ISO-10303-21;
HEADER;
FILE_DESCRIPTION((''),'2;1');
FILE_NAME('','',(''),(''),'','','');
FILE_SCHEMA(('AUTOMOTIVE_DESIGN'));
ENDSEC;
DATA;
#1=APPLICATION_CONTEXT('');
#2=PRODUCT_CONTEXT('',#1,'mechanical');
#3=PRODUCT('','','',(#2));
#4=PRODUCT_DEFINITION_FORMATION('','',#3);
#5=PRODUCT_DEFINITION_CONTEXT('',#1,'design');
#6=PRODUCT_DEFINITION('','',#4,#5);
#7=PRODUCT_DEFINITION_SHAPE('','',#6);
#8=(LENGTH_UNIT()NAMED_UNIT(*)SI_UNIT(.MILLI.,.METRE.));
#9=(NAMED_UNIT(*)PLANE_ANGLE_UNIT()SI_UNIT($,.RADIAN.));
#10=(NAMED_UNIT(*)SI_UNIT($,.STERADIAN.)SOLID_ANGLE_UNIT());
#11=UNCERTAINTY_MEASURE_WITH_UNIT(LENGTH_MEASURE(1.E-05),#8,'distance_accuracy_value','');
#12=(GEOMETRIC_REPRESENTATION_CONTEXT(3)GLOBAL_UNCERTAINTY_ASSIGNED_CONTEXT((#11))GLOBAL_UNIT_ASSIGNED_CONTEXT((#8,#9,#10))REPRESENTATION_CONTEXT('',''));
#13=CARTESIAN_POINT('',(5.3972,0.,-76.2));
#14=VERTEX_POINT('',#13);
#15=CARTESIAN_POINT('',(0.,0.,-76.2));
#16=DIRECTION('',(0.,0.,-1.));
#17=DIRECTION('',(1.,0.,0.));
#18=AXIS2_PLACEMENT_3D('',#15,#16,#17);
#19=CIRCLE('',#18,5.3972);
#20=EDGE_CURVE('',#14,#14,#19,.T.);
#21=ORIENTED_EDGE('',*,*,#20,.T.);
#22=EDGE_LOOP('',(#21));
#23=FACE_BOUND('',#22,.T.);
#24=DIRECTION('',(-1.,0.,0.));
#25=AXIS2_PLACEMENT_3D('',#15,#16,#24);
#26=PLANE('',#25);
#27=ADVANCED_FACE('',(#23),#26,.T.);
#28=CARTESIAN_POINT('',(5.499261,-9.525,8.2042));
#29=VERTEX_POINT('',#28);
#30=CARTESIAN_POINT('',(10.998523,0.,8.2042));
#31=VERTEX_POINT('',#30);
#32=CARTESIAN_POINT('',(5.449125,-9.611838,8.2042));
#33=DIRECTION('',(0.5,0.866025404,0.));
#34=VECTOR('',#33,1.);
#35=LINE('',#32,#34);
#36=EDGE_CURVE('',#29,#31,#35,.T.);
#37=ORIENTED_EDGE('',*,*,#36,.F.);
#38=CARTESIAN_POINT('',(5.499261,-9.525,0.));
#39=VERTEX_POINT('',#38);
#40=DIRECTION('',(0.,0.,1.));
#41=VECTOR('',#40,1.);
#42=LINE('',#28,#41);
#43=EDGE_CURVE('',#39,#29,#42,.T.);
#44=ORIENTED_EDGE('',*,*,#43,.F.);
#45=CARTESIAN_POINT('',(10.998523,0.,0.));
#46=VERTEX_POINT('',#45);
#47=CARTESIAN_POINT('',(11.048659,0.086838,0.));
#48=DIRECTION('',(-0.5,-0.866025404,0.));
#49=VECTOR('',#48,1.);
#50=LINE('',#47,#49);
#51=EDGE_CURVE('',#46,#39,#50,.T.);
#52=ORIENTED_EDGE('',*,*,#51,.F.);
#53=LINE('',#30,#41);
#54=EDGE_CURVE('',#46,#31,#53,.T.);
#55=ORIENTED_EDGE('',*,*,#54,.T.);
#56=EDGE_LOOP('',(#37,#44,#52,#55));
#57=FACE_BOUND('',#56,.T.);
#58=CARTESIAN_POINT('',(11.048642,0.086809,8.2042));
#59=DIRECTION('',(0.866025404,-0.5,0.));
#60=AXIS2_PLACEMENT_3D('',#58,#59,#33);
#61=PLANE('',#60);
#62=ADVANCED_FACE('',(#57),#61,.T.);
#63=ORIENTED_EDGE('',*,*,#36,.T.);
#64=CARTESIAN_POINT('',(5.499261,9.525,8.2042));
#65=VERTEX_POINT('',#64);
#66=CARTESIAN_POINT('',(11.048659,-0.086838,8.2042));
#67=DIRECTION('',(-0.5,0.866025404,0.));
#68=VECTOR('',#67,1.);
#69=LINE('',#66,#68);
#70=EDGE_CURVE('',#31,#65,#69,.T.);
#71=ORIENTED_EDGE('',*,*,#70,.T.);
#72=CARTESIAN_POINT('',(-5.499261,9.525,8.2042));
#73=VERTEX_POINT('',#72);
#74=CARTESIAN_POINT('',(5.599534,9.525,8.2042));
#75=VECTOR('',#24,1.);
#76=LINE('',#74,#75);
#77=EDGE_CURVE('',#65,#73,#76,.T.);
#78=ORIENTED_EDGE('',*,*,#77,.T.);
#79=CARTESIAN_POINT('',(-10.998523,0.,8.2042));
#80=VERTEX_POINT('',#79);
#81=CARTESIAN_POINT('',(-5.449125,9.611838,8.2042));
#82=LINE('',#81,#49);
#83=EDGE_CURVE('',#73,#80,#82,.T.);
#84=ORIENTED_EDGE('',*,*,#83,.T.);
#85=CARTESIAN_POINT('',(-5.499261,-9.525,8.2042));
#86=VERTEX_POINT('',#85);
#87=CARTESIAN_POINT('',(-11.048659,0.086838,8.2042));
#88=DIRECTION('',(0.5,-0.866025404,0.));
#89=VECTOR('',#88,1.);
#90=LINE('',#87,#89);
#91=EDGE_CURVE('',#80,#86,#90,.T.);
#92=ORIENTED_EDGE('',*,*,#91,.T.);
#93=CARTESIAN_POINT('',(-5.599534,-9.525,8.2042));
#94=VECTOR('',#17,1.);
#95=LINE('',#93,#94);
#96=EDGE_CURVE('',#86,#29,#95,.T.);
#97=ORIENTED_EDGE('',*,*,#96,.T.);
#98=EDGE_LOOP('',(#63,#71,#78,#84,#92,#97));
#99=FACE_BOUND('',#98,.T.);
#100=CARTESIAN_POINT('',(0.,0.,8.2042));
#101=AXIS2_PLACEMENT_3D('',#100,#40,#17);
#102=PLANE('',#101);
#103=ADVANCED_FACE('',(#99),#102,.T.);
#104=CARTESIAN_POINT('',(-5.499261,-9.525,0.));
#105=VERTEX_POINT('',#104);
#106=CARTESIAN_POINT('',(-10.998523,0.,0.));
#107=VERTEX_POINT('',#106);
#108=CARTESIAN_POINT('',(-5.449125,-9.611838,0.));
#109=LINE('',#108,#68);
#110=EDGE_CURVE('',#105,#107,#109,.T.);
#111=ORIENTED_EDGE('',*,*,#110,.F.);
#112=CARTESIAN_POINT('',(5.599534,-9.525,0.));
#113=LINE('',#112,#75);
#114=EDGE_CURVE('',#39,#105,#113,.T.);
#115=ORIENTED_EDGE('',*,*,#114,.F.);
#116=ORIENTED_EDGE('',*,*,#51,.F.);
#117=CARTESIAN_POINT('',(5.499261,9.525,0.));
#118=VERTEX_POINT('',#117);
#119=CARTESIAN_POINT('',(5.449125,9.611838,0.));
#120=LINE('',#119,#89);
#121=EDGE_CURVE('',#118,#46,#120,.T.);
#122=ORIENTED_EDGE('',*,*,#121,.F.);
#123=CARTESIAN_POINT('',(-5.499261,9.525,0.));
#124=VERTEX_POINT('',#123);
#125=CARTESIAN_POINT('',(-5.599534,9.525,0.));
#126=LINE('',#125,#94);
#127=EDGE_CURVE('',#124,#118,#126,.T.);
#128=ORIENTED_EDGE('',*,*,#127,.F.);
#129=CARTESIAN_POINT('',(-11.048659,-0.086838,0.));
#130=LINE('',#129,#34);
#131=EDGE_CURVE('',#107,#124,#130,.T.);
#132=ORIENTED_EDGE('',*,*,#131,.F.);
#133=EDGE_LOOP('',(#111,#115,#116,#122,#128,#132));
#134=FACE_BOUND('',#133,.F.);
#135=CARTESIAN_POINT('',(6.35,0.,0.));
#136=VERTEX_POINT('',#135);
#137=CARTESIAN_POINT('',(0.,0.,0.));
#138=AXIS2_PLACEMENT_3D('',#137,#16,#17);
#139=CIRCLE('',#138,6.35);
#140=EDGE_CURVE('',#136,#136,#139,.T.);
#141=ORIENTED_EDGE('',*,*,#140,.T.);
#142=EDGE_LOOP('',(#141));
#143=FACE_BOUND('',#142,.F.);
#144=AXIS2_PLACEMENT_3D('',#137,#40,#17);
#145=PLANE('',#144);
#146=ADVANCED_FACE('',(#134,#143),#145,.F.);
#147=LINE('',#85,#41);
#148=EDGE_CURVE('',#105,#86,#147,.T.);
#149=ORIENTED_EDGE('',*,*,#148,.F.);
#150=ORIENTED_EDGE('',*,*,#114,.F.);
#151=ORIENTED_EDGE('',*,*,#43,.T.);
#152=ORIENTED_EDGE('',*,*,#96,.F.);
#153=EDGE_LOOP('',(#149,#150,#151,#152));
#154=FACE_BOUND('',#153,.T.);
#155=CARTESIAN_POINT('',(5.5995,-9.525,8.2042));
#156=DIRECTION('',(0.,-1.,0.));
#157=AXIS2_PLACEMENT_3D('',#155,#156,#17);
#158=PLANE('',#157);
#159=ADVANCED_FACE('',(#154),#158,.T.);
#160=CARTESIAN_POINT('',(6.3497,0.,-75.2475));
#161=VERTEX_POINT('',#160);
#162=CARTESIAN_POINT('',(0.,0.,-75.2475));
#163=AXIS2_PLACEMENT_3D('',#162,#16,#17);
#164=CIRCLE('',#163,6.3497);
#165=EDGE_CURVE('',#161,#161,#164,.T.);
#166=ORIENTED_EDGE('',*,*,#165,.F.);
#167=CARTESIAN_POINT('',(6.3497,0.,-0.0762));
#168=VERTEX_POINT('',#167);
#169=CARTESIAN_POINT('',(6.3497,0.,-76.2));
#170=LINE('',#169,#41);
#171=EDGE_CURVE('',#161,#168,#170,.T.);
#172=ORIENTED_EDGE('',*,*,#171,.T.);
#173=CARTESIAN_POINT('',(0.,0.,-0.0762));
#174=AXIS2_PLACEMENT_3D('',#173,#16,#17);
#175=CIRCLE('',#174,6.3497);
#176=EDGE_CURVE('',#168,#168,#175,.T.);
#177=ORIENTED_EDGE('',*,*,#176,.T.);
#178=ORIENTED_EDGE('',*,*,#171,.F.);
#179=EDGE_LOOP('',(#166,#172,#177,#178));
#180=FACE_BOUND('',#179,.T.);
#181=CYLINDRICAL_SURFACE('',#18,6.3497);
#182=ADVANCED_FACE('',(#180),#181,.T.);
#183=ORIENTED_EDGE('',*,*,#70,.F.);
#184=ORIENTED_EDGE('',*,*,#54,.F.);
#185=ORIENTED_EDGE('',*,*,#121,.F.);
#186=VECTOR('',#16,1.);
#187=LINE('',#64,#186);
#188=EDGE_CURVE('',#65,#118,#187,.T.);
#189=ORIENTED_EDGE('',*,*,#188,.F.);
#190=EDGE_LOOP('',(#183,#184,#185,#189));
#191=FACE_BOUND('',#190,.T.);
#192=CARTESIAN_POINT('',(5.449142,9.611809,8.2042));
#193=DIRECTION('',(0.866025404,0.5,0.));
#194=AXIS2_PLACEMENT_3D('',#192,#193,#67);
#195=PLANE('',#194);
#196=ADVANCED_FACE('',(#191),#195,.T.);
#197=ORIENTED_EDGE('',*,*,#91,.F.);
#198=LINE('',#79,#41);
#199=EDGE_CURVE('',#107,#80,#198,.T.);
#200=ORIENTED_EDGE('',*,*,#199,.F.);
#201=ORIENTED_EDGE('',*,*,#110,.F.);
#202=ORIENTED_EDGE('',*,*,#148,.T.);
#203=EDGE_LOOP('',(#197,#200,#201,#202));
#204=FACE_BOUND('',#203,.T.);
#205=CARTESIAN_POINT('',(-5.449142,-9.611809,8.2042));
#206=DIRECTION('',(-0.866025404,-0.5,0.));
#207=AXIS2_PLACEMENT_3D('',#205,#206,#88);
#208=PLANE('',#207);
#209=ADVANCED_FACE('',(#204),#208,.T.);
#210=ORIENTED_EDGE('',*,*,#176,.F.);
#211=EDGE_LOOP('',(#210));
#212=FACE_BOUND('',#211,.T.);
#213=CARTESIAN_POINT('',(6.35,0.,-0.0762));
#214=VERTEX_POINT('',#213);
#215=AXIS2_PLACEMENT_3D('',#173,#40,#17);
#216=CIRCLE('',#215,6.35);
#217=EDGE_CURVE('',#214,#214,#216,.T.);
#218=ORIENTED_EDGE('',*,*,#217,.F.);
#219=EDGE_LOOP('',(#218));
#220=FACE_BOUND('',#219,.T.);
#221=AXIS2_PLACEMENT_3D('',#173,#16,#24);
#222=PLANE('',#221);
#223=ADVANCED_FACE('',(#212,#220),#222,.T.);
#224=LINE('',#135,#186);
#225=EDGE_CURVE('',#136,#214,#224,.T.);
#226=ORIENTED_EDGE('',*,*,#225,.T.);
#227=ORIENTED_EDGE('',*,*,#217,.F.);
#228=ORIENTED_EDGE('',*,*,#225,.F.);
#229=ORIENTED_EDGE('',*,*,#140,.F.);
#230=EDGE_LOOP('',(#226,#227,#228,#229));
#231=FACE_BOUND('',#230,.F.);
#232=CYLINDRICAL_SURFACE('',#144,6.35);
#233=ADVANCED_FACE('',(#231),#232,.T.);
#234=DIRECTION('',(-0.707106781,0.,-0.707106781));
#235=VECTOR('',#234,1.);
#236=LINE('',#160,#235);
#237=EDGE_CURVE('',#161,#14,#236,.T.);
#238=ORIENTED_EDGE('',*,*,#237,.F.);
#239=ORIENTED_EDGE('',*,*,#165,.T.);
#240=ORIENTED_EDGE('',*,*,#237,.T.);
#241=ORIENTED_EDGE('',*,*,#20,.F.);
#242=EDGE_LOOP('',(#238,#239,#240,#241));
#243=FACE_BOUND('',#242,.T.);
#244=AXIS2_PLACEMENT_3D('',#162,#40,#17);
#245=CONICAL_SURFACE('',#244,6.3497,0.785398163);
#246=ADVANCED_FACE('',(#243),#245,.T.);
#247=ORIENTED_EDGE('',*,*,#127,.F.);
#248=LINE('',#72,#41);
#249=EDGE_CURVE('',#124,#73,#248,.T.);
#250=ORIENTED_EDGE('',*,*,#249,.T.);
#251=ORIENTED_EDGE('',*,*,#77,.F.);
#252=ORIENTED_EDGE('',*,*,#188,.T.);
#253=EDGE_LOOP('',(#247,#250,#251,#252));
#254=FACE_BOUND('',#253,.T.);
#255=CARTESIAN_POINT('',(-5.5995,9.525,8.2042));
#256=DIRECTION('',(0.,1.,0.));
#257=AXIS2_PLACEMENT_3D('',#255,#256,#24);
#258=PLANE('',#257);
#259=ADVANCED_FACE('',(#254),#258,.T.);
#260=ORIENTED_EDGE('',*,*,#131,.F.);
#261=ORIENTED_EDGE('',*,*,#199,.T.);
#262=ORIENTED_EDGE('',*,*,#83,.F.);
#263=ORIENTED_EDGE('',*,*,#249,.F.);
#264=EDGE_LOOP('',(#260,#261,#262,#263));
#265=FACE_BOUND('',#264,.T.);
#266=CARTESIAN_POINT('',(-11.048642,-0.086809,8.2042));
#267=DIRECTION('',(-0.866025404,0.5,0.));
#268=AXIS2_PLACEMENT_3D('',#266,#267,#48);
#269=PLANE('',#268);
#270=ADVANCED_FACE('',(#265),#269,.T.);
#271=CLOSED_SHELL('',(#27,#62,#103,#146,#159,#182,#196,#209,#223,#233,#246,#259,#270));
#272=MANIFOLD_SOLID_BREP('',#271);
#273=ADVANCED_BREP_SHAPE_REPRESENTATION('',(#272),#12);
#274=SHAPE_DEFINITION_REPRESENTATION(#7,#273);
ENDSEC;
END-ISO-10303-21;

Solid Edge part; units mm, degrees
sketch "Sketch1" plane through (0, 0, 0) normal (0, 0, 1) x (1, 0, 0)
  circle A0 centre (0, 0) radius 11.049
  dimension "D1" = 22.098
extrude "Protrusion1" add sketch "Sketch1" along normal blind 8.2042
sketch "Sketch2" plane through (0, 0, 0) normal (0, 0, -1) x (1, 0, 0)
  circle A0 centre (0, 0) radius 6.35
extrude "Protrusion2" add sketch "Sketch2" along normal blind 76.2
sketch "Sketch3" plane through (0, 0, -76.2) normal (0, 0, -1) x (1, 0, 0)
  circle A0 centre (0, 0) radius 6.3497
extrude "Cutout1" cut sketch "Sketch3" against normal blind 76.1238 flip side to cut
chamfer "Chamfer_1" distance 0.9525 angle 45 1 edges at (-6.3497, 0, -76.2)
sketch "Sketch4" plane through (0, 0, 8.2042) normal (0, 0, 1) x (1, 0, 0)
  line L0 (-5.5995, 9.525) -> (5.5995, 9.525)
  dimension "D1" = 19.05
extrude "Cutout2" cut sketch "Sketch4" against normal up to next material side at (0, 9.575, 8.2042)
pattern_circular "Pattern1" count 6 over 360 about axis through (0, 0, 8.2042) along (0, 0, 1) of "Cutout2"
properties part number "185612" material "Stainless Steel, 304"
